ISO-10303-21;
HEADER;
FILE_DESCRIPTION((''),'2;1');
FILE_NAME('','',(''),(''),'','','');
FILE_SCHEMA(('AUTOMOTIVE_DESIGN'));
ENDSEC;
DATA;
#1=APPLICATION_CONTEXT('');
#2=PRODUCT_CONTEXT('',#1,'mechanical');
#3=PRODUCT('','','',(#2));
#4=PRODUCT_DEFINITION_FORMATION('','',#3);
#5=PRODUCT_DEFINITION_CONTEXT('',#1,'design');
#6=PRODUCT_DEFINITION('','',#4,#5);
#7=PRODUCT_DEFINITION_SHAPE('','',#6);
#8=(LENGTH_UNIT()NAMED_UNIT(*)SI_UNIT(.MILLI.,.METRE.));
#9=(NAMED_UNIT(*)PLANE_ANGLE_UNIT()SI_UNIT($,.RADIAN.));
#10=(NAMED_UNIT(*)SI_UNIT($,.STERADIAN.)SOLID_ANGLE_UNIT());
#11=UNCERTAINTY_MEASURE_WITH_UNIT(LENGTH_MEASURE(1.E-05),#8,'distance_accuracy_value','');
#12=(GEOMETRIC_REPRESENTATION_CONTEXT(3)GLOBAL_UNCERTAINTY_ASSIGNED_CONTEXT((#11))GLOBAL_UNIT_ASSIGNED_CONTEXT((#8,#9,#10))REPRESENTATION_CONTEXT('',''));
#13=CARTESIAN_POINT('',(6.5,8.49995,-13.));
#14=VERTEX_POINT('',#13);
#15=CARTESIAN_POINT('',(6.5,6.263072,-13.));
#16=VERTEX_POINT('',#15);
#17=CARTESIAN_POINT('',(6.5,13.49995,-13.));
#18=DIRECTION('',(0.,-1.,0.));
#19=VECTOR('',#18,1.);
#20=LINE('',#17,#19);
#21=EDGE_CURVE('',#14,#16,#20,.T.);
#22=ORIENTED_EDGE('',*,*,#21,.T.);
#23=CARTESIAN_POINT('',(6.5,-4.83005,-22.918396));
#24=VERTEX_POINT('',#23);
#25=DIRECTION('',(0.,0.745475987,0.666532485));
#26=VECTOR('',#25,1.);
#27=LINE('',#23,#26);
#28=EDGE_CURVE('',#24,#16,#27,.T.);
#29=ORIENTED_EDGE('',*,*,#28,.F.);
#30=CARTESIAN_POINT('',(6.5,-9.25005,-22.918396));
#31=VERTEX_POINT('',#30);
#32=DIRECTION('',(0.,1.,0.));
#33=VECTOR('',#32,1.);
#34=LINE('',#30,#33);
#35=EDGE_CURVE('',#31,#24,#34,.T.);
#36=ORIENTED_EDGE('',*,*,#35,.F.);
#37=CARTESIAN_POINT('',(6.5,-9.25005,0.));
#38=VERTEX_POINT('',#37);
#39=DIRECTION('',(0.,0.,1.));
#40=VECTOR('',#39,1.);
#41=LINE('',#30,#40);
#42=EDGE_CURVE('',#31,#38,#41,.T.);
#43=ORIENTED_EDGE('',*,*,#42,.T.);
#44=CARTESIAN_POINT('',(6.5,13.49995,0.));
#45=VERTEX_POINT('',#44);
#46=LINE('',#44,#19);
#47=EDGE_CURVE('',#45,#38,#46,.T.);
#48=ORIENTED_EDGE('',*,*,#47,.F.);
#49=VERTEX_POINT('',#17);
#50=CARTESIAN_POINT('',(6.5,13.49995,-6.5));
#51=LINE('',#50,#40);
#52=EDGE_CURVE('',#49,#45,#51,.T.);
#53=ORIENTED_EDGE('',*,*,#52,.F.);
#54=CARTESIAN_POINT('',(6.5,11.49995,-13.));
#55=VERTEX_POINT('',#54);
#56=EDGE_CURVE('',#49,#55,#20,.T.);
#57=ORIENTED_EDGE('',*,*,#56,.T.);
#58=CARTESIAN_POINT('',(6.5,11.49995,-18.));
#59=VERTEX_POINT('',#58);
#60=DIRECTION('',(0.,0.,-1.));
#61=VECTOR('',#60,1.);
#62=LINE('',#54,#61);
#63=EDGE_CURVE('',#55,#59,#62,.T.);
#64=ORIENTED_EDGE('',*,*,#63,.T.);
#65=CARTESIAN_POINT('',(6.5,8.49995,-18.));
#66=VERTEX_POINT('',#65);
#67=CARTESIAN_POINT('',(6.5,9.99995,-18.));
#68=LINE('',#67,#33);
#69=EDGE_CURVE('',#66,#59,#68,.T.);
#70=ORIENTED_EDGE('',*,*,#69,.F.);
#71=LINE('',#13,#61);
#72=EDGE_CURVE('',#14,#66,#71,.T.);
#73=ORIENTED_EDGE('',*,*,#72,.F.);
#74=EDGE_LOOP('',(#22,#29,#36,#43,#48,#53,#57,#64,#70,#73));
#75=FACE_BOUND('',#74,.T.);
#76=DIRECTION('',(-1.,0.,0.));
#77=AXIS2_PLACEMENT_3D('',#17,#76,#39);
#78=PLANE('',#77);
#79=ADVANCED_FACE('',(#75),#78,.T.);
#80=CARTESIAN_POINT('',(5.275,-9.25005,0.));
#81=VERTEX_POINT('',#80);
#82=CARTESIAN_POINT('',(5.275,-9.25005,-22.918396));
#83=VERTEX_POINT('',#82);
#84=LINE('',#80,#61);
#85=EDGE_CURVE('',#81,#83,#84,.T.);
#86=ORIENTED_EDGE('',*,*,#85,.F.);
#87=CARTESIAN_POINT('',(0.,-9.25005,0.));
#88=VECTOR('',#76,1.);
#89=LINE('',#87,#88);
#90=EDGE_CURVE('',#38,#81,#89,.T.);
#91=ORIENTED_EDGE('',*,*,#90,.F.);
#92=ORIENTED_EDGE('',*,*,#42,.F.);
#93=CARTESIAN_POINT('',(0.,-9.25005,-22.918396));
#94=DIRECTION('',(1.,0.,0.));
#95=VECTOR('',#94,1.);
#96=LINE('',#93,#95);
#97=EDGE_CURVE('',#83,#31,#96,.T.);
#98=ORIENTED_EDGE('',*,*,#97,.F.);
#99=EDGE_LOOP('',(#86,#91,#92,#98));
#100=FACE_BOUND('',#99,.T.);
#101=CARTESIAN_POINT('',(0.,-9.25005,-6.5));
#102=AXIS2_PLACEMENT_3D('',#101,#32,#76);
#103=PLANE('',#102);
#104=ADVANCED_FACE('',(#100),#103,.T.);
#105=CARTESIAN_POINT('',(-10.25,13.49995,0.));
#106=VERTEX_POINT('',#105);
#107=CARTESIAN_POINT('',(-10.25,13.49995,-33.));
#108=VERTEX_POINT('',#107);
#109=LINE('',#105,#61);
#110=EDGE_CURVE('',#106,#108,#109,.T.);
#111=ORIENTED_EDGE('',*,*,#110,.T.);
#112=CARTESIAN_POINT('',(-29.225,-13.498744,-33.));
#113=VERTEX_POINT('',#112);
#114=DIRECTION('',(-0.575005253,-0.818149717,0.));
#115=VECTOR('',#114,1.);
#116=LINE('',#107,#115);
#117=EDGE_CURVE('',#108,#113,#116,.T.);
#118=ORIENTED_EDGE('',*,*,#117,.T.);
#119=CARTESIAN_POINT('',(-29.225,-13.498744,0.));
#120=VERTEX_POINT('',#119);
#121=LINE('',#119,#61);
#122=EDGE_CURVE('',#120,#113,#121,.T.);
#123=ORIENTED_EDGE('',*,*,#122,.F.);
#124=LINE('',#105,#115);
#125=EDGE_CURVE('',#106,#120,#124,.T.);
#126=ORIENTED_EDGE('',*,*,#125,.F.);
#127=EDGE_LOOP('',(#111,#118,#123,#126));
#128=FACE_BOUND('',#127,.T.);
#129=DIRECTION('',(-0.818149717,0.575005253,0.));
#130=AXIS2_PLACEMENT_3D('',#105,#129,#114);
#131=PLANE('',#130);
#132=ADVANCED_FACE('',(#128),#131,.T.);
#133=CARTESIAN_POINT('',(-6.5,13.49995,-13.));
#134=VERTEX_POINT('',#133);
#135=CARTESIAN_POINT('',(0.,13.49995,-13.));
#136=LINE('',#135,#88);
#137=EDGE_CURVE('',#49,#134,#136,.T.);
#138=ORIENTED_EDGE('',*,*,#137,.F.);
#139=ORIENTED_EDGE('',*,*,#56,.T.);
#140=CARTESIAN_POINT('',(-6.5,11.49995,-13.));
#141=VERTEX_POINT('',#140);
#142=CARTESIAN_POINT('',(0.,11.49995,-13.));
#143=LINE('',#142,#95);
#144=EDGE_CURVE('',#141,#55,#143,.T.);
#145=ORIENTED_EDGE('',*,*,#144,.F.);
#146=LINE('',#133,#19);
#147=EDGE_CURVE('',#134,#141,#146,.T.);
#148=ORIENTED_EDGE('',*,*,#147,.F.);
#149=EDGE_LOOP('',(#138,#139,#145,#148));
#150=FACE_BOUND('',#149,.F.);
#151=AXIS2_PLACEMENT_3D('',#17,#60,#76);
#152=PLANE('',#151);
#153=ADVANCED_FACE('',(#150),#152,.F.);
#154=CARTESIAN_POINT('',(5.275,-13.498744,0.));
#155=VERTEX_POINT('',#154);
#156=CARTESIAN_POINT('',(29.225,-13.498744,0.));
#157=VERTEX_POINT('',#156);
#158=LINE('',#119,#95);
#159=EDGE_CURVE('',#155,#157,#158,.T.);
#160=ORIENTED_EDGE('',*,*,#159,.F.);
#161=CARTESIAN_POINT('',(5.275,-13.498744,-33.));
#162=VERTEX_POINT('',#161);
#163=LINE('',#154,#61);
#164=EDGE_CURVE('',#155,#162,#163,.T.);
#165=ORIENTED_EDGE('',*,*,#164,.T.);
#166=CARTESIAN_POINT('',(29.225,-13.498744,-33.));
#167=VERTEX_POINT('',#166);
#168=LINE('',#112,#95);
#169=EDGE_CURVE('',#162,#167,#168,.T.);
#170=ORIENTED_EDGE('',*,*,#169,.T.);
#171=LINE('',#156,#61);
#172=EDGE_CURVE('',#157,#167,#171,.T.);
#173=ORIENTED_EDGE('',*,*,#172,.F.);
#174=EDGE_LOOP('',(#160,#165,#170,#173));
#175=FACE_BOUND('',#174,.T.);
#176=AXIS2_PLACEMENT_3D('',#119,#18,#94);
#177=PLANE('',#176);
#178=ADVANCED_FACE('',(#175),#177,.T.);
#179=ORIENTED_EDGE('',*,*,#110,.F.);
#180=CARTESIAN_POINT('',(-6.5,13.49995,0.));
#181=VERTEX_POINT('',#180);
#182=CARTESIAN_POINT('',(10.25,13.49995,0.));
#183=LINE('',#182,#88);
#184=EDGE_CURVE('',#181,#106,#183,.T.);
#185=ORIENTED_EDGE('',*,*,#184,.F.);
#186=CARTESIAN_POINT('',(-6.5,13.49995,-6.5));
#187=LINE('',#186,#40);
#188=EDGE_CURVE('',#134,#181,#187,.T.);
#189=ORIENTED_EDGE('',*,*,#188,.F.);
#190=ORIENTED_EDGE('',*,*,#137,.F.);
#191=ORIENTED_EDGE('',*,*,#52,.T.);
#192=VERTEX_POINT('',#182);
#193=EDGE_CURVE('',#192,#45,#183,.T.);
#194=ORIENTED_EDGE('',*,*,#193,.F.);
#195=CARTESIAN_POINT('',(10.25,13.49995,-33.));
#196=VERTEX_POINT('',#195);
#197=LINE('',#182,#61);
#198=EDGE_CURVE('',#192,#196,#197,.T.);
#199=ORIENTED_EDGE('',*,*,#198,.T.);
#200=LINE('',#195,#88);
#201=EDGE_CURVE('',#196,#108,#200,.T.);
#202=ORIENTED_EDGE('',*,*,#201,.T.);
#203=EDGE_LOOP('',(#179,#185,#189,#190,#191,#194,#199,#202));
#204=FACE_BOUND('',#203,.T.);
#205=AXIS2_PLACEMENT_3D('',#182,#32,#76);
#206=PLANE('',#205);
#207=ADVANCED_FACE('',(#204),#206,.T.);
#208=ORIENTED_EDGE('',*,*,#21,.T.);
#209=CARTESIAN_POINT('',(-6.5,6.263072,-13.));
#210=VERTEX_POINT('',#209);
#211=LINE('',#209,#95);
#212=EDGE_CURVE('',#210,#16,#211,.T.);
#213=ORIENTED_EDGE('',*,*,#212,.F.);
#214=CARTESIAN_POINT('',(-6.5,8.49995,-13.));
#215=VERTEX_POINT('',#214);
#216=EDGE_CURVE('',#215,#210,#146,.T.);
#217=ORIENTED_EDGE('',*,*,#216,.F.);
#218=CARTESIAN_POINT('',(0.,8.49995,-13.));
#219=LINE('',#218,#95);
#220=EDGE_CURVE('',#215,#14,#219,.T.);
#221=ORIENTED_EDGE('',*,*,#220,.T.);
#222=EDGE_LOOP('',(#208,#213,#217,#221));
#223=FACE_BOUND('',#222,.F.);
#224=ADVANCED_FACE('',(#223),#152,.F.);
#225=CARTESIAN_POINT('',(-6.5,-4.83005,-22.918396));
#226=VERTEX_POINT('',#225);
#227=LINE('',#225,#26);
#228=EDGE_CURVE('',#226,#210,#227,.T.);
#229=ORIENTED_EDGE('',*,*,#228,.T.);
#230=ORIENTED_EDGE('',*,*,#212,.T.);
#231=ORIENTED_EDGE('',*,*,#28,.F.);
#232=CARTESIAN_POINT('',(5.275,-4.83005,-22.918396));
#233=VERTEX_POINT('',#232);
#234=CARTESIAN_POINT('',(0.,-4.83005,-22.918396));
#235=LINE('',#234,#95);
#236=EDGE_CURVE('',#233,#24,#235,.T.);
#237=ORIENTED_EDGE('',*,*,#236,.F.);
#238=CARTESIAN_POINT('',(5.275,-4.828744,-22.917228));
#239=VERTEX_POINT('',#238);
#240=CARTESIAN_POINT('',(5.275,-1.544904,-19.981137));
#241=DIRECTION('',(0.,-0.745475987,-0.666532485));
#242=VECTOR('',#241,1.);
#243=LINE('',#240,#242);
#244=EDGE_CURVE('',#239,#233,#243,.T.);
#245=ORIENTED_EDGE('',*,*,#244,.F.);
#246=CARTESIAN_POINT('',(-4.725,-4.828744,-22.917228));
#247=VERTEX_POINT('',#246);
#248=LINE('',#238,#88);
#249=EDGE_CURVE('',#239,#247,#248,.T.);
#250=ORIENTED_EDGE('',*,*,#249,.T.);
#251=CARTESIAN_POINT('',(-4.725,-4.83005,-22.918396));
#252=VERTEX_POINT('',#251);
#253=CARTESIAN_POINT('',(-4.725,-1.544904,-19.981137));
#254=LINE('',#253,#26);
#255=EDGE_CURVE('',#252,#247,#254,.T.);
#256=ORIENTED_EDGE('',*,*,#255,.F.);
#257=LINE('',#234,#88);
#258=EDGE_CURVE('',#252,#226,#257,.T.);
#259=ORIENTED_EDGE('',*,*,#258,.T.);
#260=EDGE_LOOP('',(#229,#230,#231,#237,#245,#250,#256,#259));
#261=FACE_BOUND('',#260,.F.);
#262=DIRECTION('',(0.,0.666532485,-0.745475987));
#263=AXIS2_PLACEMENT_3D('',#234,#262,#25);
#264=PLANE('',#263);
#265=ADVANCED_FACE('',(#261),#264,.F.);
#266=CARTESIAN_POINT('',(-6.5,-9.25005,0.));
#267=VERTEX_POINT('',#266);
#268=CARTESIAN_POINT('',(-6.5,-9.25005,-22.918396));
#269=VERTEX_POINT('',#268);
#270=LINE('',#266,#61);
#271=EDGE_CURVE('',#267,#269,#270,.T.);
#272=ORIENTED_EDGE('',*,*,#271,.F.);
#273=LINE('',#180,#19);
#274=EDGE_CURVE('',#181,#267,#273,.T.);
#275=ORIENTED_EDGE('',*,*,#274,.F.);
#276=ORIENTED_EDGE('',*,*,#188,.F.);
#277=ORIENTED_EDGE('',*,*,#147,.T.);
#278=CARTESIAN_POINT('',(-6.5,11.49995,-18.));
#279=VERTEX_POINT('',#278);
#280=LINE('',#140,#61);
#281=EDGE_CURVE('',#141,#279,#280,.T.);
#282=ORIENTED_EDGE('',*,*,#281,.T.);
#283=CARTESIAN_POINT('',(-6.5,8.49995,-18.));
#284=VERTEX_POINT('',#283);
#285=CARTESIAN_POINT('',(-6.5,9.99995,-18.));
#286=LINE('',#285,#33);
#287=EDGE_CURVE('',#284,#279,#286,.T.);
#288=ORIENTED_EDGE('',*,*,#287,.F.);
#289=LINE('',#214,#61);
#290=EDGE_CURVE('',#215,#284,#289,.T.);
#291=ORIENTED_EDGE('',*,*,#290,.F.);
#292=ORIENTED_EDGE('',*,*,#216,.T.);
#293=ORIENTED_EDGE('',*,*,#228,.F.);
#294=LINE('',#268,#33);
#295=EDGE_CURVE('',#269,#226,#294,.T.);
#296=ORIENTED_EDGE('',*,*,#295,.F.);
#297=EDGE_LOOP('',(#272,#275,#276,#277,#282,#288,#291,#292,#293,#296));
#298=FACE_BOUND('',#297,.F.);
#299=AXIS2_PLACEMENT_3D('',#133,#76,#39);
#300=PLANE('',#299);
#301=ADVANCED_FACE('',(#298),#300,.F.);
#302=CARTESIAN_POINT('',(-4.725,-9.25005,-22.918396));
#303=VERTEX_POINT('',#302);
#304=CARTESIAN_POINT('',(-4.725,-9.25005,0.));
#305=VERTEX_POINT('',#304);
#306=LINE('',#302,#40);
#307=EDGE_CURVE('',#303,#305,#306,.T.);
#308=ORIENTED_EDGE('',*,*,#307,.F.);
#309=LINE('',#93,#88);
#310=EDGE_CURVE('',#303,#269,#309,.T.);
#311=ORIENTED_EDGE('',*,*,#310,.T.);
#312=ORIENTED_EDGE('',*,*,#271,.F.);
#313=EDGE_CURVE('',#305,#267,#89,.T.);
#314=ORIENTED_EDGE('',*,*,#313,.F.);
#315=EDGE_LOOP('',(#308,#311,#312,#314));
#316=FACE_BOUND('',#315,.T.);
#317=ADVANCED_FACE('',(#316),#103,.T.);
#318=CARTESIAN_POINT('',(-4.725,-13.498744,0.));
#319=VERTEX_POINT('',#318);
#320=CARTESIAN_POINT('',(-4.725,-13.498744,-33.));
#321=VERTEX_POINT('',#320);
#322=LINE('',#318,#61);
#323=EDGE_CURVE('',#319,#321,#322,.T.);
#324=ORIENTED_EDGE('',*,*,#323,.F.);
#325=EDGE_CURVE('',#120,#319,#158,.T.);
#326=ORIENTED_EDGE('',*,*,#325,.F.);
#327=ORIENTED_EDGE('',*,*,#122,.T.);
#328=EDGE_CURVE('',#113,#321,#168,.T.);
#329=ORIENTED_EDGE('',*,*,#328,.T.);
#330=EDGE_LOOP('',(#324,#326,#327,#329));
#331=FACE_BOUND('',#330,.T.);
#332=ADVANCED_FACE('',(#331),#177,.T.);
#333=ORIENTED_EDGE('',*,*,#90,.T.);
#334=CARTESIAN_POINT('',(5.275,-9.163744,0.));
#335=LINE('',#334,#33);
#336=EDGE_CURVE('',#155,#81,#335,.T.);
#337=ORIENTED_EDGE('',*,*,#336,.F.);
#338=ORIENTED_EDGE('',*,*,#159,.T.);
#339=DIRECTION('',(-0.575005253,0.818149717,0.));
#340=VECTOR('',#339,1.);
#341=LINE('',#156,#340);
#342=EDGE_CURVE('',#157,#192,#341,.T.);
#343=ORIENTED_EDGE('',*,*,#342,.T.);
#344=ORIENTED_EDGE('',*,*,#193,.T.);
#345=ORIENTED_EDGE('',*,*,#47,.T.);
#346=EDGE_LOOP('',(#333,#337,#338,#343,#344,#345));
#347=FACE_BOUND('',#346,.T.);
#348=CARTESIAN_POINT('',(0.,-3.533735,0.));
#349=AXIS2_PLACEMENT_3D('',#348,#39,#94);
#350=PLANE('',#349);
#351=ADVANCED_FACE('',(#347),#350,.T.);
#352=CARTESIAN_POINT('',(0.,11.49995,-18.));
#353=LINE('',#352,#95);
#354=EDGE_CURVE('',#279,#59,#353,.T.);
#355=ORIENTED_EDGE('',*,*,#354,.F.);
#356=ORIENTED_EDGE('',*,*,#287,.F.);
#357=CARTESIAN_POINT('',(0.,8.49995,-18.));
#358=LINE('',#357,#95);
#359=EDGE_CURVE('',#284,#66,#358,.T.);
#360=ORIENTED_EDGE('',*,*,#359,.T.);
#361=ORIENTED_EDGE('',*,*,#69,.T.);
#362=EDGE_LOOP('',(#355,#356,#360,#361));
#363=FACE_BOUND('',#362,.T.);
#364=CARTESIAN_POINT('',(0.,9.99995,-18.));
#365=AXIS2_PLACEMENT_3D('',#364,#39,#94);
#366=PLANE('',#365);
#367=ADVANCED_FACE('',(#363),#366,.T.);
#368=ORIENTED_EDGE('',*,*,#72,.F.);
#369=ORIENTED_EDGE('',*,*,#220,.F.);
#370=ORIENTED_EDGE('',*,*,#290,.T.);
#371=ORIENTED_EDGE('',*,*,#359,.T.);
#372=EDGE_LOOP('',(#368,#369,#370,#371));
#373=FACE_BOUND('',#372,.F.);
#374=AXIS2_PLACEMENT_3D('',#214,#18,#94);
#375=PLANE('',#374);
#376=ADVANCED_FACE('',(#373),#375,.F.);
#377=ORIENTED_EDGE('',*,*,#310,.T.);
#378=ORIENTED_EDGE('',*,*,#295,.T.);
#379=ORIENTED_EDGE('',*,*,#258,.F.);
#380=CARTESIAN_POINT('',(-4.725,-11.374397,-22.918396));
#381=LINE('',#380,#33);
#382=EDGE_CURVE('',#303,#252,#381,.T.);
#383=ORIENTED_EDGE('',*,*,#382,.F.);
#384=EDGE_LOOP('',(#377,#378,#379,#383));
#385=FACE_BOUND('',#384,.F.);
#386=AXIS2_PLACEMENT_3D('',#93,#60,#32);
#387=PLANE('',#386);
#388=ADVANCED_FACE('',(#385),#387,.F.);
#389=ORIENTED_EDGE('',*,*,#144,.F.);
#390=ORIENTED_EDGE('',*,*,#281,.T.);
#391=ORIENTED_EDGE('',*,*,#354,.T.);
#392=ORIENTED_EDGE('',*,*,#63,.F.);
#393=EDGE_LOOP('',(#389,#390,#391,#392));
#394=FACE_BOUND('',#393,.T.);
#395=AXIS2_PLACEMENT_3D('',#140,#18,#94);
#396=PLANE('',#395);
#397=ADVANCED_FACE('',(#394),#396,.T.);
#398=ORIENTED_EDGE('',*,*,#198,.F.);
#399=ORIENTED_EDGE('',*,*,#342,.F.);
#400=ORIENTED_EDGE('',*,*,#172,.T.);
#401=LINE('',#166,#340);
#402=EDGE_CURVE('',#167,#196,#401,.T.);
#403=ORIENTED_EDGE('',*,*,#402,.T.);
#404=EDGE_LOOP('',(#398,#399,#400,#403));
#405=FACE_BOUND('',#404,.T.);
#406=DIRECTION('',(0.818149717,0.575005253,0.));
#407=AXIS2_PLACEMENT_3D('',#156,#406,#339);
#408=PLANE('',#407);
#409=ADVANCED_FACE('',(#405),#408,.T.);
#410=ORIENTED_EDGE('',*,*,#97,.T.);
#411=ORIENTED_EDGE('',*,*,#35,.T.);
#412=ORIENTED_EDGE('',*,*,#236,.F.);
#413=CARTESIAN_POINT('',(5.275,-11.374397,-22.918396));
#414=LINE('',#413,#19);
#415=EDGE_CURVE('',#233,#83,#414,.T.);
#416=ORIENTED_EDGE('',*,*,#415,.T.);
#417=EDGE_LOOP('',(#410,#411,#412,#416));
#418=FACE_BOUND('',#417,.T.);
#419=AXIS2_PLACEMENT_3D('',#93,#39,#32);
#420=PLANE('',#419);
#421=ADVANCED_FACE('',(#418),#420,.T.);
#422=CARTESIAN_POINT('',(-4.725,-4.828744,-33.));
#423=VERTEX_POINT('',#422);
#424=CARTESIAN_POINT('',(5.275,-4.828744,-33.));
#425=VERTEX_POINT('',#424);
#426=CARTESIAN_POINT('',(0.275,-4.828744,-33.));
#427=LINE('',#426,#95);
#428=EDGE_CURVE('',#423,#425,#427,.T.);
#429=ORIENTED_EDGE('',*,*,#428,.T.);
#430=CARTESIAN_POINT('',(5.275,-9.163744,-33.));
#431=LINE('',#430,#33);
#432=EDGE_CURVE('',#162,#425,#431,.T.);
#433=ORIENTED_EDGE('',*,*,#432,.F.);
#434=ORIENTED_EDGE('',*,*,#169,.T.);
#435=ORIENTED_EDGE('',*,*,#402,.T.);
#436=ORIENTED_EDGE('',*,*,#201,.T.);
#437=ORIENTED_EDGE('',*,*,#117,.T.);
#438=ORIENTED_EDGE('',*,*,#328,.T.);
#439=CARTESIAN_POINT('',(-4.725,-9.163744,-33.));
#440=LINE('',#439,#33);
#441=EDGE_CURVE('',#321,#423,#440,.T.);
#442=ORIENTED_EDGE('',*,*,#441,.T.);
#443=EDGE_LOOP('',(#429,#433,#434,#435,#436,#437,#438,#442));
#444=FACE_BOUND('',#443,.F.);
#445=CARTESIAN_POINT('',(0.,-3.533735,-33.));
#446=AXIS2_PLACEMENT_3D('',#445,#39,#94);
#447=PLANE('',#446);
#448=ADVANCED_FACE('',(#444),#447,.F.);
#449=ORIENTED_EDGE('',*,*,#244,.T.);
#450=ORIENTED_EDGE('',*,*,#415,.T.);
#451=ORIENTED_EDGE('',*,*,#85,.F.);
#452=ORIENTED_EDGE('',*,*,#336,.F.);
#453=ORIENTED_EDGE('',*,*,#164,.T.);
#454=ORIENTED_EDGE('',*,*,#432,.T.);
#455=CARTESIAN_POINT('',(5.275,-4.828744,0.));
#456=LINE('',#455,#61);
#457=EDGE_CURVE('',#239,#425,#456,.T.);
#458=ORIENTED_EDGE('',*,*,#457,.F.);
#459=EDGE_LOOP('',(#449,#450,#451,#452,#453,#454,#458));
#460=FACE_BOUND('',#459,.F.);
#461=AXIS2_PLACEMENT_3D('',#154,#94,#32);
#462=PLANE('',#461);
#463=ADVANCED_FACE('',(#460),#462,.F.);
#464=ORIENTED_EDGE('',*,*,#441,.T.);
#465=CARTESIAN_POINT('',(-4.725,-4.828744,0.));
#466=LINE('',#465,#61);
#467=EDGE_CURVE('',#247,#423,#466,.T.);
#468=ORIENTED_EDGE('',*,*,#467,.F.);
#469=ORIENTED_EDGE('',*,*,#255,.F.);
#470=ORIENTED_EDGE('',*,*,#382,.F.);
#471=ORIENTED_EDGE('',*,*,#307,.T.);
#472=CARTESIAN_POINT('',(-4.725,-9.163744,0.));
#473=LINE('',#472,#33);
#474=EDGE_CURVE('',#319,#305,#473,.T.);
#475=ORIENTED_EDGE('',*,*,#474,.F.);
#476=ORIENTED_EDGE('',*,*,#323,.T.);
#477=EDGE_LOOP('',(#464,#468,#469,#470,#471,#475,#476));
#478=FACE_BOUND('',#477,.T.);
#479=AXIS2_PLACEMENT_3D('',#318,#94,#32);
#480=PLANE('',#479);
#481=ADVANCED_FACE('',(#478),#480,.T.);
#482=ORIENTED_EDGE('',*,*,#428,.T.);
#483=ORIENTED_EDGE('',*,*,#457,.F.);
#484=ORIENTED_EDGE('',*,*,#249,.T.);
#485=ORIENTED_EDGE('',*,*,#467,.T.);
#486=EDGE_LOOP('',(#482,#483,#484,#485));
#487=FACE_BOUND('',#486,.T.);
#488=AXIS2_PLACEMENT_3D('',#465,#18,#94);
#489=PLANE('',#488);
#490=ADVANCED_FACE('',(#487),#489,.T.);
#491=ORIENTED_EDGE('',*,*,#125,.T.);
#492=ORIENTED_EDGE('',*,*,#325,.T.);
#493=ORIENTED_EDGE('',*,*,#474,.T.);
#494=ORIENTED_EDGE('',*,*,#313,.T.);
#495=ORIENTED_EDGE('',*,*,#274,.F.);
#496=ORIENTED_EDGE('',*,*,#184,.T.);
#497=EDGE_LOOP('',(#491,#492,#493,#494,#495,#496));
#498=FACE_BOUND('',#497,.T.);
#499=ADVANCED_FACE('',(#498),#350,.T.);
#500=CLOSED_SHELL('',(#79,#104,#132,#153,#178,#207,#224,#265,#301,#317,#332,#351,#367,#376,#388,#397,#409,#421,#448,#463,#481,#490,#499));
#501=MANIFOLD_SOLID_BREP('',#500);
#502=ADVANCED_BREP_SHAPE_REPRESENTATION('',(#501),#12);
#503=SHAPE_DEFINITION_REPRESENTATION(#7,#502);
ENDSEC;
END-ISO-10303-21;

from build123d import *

# Parameters (mm, degrees)
F1_DEPTH  = 33
F2_W      = 13
F2_H      = 13
F3_DEPTH  = 22.75
F4_W      = 10
F4_H      = 8.67
F5_DEPTH  = 33
F6_W      = 13
F6_H      = 3
F7_DEPTH  = 5
F9_DEPTH  = 6.5
F10_DEPTH = 6.5


with BuildPart() as f1:
    # F0 (on Top) → F1 (new body)
    with BuildSketch(Plane.XY):
        Polygon((-10.25, 13.49995), (-29.225, -13.498744), (29.225, -13.498744), (10.25, 13.49995), align=None)
    extrude(amount=-F1_DEPTH)

    # F2 (on face) → F3 (cut)
    with BuildSketch(Plane(origin=(0, 13.49995, 0), x_dir=(-1, 0, 0), z_dir=(0, 1, 0))):
        with Locations((0, -6.5)):
            Rectangle(F2_W, F2_H)
    extrude(amount=-F3_DEPTH, mode=Mode.SUBTRACT)

    # F4 (on face) → F5 (cut)
    with BuildSketch(Plane.XY):
        with Locations((0.275, -9.163744)):
            Rectangle(F4_W, F4_H)
    extrude(amount=-F5_DEPTH, mode=Mode.SUBTRACT)

    # F6 (on face) → F7 (cut)
    with BuildSketch(Plane.XY.offset(-13)):
        with Locations((0, 9.99995)):
            Rectangle(F6_W, F6_H)
    extrude(amount=-F7_DEPTH, mode=Mode.SUBTRACT)

    # F8 (on Right) → F9 (cut)
    with BuildSketch(Plane.YZ):
        Polygon((-4.83005, -22.918396), (8.49995, -11), (-9.25005, -11), (-9.25005, -22.918396), align=None)
    extrude(amount=-F9_DEPTH, mode=Mode.SUBTRACT)

    # F8 (on Right) → F10 (cut)
    with BuildSketch(Plane.YZ):
        Polygon((-4.83005, -22.918396), (8.49995, -11), (-9.25005, -11), (-9.25005, -22.918396), align=None)
    extrude(amount=F10_DEPTH, mode=Mode.SUBTRACT)


solid = f1.part
